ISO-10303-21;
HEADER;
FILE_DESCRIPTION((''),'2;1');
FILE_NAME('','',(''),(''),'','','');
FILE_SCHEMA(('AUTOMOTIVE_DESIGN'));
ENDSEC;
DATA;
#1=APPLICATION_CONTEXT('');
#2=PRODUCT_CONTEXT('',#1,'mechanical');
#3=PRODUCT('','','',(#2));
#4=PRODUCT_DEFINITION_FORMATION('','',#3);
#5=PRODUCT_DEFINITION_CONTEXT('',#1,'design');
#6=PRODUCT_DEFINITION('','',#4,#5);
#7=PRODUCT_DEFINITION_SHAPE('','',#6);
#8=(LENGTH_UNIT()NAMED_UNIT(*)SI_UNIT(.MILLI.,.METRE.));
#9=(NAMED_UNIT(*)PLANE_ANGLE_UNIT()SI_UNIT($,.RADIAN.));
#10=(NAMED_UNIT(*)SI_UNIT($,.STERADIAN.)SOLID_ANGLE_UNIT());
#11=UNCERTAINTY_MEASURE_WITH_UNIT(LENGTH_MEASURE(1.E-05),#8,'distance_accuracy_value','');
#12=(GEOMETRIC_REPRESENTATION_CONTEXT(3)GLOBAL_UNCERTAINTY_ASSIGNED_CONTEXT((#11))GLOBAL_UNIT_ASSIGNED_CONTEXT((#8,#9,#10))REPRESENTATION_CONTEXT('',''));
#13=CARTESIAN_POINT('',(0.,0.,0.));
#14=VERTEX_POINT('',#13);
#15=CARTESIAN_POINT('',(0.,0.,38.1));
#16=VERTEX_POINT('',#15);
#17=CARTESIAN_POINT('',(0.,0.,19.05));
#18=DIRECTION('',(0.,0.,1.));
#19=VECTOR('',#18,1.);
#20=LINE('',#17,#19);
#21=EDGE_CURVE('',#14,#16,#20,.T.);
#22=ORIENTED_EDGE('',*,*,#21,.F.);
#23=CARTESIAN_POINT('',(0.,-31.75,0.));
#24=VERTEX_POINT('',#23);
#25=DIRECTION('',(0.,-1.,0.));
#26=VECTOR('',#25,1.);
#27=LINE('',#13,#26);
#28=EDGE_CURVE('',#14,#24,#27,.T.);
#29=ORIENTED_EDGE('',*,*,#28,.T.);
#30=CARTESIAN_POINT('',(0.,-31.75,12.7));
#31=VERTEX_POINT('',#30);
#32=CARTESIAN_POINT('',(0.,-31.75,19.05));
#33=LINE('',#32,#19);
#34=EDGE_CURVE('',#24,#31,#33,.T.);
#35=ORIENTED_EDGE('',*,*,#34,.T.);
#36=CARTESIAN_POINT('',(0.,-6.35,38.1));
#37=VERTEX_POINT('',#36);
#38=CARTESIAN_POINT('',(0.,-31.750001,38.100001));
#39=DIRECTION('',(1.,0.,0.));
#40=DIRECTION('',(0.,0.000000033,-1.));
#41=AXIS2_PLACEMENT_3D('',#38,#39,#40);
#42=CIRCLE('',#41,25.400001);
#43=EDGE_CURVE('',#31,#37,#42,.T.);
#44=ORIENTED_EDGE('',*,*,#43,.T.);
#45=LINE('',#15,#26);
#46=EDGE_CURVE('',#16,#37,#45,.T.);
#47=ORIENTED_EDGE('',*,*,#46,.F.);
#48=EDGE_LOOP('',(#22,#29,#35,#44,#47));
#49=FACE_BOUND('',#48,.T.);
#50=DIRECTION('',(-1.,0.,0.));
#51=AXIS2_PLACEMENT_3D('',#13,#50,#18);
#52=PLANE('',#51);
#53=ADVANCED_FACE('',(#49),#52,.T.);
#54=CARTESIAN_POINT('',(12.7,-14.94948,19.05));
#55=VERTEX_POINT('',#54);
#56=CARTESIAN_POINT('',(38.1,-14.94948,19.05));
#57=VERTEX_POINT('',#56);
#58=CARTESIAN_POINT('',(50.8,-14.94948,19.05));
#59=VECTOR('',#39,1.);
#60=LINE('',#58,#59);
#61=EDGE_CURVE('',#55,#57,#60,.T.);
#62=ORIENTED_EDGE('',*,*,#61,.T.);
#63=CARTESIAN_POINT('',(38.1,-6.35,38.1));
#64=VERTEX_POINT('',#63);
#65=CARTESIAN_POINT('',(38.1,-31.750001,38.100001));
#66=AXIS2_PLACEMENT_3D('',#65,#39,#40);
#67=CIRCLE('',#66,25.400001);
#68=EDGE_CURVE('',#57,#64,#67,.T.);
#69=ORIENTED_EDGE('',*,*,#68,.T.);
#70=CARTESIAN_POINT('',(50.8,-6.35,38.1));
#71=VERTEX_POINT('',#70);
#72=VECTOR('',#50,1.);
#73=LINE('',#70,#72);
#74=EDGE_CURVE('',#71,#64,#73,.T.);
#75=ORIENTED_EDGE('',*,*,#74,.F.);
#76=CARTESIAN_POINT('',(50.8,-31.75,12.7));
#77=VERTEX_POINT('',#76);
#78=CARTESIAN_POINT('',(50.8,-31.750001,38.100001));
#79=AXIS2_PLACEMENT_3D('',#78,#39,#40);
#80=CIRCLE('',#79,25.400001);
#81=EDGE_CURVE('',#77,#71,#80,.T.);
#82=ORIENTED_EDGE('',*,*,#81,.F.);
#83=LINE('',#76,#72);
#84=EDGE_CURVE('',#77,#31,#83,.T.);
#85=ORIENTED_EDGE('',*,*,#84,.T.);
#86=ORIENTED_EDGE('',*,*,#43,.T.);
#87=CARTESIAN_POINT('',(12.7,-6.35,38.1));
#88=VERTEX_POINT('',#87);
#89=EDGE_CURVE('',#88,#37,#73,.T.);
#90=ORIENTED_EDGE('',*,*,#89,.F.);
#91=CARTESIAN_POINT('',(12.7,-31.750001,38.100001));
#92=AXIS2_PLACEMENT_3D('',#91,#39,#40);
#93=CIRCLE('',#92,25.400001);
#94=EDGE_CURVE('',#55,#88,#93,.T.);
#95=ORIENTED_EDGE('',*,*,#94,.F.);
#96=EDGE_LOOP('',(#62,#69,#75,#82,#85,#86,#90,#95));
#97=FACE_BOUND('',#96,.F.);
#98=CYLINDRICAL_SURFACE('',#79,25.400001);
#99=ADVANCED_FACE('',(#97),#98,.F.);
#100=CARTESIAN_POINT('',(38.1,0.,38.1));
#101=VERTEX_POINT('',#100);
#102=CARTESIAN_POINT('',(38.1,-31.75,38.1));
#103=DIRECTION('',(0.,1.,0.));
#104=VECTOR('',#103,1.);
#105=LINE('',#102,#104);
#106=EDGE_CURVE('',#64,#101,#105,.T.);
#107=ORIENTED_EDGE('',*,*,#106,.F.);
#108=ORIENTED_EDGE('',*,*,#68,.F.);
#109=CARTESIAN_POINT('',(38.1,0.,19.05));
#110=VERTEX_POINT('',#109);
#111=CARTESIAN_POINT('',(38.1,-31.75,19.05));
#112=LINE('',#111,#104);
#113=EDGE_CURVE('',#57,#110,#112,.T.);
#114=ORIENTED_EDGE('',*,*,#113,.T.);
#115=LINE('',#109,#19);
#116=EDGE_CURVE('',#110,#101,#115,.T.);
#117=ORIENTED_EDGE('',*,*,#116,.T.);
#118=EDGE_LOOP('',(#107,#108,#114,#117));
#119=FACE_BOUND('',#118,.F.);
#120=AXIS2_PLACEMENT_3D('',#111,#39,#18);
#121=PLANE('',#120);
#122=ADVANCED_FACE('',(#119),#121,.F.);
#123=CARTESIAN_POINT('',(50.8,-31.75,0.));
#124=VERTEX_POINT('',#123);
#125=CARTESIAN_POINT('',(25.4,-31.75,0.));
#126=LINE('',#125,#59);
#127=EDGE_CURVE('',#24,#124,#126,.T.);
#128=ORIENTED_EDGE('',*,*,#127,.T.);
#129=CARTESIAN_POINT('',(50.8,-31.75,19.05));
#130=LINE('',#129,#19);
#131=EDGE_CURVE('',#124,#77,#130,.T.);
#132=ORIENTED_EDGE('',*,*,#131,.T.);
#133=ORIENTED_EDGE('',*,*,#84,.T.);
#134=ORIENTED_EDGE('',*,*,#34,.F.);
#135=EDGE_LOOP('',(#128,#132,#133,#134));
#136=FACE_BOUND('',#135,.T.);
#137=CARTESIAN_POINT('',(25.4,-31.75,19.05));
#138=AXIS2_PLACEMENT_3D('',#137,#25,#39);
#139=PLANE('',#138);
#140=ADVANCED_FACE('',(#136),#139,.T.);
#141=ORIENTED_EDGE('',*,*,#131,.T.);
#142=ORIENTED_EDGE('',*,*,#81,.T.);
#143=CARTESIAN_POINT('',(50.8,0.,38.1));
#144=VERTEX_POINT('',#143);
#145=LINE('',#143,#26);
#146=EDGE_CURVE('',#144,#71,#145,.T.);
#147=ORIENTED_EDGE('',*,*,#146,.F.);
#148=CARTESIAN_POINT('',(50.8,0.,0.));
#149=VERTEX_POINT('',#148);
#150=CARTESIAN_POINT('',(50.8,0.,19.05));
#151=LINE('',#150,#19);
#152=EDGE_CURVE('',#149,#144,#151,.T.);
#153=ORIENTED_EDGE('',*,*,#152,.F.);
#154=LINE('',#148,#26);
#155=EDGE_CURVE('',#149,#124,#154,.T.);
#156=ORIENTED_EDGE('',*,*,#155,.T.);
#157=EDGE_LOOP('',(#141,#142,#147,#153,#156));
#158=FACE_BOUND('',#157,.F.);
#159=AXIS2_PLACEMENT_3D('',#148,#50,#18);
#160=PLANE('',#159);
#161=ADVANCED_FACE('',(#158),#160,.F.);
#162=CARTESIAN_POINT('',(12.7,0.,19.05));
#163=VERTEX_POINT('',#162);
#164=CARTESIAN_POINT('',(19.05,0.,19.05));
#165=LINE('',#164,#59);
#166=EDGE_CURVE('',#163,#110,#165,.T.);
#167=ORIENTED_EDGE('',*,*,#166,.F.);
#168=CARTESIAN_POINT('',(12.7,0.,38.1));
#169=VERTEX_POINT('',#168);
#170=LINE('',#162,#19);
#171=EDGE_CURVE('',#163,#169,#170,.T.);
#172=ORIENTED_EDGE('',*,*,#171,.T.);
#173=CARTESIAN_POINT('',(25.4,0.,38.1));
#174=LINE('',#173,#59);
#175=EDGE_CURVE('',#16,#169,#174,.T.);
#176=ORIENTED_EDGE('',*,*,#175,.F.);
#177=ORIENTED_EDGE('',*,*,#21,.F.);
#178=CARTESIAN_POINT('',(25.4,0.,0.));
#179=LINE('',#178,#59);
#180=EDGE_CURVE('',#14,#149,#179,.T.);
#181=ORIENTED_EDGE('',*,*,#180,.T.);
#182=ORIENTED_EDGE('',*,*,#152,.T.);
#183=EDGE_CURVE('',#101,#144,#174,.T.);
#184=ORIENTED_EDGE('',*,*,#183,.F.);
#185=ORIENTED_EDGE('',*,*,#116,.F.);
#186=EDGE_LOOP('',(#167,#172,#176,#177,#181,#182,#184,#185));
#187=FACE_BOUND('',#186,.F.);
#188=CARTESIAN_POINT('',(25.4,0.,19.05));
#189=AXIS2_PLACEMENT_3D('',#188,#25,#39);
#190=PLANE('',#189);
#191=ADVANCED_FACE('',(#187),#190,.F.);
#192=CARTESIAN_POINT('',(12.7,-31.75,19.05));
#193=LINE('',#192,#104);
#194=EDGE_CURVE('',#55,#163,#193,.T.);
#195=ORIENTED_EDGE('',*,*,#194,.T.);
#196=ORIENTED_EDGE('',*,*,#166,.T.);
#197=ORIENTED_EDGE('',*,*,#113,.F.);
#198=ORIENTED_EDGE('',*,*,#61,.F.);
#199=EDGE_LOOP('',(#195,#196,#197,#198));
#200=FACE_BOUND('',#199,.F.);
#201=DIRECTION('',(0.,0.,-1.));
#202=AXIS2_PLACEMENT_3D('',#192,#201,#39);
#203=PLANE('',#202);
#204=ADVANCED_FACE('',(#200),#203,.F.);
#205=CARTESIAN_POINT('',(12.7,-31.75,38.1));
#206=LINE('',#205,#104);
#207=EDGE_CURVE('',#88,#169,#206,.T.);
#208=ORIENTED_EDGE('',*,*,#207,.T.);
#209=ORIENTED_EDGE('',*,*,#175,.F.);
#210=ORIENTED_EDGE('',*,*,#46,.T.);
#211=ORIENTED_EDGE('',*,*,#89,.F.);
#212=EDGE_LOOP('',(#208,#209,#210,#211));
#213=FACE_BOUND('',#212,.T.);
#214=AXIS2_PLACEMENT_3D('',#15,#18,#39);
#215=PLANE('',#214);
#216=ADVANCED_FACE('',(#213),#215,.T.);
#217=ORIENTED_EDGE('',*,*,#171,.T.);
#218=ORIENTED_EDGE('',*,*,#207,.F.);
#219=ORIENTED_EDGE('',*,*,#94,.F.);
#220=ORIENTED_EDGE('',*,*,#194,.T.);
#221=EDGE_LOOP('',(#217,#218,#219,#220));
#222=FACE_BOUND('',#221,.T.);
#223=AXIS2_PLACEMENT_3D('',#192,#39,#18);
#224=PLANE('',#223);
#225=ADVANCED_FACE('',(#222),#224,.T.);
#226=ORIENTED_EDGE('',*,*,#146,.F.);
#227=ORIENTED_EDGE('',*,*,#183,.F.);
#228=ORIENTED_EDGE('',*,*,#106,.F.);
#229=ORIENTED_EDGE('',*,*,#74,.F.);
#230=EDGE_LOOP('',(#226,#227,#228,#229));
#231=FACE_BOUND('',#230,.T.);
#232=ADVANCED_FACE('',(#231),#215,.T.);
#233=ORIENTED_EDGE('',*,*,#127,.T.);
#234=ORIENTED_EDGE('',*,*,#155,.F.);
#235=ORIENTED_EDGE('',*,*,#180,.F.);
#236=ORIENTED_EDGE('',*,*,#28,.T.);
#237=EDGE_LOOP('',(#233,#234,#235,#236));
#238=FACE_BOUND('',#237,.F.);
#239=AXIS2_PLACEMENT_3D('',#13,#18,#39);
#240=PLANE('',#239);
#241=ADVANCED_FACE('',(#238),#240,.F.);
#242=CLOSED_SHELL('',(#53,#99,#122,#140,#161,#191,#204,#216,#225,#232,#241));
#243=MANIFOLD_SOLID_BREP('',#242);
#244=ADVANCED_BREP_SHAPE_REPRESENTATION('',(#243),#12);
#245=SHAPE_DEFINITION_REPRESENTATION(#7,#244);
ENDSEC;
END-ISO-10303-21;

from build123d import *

# Parameters (mm, degrees)
F0_W     = 50.8
F0_H     = 38.1
F1_DEPTH = 31.75
F2_W     = 25.4
F2_H     = 19.05
F3_DEPTH = 31.751
F5_DEPTH = 50.8


with BuildPart() as f1:
    # F0 (on Front) → F1 (new body)
    with BuildSketch(Plane.XZ):
        with Locations((25.4, 19.05)):
            Rectangle(F0_W, F0_H)
    extrude(amount=F1_DEPTH)

    # F2 (on face) → F3 (cut, through all)
    with BuildSketch(Plane.XZ.offset(31.75)):
        with Locations((25.4, 28.575)):
            Rectangle(F2_W, F2_H)
    extrude(amount=-F3_DEPTH, mode=Mode.SUBTRACT)

    # F4 (on face) → F5 (cut)
    with BuildSketch(Plane.YZ.offset(50.8)):
        with BuildLine():
            ThreePointArc((-31.75, 12.7), (-13.789488, 20.139488), (-6.35, 38.1))
            Line((-6.35, 38.1), (-31.75, 38.1))
            Line((-31.75, 38.1), (-31.75, 12.7))
        make_face()
        with BuildLine():
            Line((-31.75, 38.1), (-6.35, 38.1))
            ThreePointArc((-6.35, 38.1), (-49.710512, 56.060512), (-31.75, 12.7))
            Line((-31.75, 12.7), (-31.75, 38.1))
        make_face()
    extrude(amount=-F5_DEPTH, mode=Mode.SUBTRACT)


solid = f1.part
